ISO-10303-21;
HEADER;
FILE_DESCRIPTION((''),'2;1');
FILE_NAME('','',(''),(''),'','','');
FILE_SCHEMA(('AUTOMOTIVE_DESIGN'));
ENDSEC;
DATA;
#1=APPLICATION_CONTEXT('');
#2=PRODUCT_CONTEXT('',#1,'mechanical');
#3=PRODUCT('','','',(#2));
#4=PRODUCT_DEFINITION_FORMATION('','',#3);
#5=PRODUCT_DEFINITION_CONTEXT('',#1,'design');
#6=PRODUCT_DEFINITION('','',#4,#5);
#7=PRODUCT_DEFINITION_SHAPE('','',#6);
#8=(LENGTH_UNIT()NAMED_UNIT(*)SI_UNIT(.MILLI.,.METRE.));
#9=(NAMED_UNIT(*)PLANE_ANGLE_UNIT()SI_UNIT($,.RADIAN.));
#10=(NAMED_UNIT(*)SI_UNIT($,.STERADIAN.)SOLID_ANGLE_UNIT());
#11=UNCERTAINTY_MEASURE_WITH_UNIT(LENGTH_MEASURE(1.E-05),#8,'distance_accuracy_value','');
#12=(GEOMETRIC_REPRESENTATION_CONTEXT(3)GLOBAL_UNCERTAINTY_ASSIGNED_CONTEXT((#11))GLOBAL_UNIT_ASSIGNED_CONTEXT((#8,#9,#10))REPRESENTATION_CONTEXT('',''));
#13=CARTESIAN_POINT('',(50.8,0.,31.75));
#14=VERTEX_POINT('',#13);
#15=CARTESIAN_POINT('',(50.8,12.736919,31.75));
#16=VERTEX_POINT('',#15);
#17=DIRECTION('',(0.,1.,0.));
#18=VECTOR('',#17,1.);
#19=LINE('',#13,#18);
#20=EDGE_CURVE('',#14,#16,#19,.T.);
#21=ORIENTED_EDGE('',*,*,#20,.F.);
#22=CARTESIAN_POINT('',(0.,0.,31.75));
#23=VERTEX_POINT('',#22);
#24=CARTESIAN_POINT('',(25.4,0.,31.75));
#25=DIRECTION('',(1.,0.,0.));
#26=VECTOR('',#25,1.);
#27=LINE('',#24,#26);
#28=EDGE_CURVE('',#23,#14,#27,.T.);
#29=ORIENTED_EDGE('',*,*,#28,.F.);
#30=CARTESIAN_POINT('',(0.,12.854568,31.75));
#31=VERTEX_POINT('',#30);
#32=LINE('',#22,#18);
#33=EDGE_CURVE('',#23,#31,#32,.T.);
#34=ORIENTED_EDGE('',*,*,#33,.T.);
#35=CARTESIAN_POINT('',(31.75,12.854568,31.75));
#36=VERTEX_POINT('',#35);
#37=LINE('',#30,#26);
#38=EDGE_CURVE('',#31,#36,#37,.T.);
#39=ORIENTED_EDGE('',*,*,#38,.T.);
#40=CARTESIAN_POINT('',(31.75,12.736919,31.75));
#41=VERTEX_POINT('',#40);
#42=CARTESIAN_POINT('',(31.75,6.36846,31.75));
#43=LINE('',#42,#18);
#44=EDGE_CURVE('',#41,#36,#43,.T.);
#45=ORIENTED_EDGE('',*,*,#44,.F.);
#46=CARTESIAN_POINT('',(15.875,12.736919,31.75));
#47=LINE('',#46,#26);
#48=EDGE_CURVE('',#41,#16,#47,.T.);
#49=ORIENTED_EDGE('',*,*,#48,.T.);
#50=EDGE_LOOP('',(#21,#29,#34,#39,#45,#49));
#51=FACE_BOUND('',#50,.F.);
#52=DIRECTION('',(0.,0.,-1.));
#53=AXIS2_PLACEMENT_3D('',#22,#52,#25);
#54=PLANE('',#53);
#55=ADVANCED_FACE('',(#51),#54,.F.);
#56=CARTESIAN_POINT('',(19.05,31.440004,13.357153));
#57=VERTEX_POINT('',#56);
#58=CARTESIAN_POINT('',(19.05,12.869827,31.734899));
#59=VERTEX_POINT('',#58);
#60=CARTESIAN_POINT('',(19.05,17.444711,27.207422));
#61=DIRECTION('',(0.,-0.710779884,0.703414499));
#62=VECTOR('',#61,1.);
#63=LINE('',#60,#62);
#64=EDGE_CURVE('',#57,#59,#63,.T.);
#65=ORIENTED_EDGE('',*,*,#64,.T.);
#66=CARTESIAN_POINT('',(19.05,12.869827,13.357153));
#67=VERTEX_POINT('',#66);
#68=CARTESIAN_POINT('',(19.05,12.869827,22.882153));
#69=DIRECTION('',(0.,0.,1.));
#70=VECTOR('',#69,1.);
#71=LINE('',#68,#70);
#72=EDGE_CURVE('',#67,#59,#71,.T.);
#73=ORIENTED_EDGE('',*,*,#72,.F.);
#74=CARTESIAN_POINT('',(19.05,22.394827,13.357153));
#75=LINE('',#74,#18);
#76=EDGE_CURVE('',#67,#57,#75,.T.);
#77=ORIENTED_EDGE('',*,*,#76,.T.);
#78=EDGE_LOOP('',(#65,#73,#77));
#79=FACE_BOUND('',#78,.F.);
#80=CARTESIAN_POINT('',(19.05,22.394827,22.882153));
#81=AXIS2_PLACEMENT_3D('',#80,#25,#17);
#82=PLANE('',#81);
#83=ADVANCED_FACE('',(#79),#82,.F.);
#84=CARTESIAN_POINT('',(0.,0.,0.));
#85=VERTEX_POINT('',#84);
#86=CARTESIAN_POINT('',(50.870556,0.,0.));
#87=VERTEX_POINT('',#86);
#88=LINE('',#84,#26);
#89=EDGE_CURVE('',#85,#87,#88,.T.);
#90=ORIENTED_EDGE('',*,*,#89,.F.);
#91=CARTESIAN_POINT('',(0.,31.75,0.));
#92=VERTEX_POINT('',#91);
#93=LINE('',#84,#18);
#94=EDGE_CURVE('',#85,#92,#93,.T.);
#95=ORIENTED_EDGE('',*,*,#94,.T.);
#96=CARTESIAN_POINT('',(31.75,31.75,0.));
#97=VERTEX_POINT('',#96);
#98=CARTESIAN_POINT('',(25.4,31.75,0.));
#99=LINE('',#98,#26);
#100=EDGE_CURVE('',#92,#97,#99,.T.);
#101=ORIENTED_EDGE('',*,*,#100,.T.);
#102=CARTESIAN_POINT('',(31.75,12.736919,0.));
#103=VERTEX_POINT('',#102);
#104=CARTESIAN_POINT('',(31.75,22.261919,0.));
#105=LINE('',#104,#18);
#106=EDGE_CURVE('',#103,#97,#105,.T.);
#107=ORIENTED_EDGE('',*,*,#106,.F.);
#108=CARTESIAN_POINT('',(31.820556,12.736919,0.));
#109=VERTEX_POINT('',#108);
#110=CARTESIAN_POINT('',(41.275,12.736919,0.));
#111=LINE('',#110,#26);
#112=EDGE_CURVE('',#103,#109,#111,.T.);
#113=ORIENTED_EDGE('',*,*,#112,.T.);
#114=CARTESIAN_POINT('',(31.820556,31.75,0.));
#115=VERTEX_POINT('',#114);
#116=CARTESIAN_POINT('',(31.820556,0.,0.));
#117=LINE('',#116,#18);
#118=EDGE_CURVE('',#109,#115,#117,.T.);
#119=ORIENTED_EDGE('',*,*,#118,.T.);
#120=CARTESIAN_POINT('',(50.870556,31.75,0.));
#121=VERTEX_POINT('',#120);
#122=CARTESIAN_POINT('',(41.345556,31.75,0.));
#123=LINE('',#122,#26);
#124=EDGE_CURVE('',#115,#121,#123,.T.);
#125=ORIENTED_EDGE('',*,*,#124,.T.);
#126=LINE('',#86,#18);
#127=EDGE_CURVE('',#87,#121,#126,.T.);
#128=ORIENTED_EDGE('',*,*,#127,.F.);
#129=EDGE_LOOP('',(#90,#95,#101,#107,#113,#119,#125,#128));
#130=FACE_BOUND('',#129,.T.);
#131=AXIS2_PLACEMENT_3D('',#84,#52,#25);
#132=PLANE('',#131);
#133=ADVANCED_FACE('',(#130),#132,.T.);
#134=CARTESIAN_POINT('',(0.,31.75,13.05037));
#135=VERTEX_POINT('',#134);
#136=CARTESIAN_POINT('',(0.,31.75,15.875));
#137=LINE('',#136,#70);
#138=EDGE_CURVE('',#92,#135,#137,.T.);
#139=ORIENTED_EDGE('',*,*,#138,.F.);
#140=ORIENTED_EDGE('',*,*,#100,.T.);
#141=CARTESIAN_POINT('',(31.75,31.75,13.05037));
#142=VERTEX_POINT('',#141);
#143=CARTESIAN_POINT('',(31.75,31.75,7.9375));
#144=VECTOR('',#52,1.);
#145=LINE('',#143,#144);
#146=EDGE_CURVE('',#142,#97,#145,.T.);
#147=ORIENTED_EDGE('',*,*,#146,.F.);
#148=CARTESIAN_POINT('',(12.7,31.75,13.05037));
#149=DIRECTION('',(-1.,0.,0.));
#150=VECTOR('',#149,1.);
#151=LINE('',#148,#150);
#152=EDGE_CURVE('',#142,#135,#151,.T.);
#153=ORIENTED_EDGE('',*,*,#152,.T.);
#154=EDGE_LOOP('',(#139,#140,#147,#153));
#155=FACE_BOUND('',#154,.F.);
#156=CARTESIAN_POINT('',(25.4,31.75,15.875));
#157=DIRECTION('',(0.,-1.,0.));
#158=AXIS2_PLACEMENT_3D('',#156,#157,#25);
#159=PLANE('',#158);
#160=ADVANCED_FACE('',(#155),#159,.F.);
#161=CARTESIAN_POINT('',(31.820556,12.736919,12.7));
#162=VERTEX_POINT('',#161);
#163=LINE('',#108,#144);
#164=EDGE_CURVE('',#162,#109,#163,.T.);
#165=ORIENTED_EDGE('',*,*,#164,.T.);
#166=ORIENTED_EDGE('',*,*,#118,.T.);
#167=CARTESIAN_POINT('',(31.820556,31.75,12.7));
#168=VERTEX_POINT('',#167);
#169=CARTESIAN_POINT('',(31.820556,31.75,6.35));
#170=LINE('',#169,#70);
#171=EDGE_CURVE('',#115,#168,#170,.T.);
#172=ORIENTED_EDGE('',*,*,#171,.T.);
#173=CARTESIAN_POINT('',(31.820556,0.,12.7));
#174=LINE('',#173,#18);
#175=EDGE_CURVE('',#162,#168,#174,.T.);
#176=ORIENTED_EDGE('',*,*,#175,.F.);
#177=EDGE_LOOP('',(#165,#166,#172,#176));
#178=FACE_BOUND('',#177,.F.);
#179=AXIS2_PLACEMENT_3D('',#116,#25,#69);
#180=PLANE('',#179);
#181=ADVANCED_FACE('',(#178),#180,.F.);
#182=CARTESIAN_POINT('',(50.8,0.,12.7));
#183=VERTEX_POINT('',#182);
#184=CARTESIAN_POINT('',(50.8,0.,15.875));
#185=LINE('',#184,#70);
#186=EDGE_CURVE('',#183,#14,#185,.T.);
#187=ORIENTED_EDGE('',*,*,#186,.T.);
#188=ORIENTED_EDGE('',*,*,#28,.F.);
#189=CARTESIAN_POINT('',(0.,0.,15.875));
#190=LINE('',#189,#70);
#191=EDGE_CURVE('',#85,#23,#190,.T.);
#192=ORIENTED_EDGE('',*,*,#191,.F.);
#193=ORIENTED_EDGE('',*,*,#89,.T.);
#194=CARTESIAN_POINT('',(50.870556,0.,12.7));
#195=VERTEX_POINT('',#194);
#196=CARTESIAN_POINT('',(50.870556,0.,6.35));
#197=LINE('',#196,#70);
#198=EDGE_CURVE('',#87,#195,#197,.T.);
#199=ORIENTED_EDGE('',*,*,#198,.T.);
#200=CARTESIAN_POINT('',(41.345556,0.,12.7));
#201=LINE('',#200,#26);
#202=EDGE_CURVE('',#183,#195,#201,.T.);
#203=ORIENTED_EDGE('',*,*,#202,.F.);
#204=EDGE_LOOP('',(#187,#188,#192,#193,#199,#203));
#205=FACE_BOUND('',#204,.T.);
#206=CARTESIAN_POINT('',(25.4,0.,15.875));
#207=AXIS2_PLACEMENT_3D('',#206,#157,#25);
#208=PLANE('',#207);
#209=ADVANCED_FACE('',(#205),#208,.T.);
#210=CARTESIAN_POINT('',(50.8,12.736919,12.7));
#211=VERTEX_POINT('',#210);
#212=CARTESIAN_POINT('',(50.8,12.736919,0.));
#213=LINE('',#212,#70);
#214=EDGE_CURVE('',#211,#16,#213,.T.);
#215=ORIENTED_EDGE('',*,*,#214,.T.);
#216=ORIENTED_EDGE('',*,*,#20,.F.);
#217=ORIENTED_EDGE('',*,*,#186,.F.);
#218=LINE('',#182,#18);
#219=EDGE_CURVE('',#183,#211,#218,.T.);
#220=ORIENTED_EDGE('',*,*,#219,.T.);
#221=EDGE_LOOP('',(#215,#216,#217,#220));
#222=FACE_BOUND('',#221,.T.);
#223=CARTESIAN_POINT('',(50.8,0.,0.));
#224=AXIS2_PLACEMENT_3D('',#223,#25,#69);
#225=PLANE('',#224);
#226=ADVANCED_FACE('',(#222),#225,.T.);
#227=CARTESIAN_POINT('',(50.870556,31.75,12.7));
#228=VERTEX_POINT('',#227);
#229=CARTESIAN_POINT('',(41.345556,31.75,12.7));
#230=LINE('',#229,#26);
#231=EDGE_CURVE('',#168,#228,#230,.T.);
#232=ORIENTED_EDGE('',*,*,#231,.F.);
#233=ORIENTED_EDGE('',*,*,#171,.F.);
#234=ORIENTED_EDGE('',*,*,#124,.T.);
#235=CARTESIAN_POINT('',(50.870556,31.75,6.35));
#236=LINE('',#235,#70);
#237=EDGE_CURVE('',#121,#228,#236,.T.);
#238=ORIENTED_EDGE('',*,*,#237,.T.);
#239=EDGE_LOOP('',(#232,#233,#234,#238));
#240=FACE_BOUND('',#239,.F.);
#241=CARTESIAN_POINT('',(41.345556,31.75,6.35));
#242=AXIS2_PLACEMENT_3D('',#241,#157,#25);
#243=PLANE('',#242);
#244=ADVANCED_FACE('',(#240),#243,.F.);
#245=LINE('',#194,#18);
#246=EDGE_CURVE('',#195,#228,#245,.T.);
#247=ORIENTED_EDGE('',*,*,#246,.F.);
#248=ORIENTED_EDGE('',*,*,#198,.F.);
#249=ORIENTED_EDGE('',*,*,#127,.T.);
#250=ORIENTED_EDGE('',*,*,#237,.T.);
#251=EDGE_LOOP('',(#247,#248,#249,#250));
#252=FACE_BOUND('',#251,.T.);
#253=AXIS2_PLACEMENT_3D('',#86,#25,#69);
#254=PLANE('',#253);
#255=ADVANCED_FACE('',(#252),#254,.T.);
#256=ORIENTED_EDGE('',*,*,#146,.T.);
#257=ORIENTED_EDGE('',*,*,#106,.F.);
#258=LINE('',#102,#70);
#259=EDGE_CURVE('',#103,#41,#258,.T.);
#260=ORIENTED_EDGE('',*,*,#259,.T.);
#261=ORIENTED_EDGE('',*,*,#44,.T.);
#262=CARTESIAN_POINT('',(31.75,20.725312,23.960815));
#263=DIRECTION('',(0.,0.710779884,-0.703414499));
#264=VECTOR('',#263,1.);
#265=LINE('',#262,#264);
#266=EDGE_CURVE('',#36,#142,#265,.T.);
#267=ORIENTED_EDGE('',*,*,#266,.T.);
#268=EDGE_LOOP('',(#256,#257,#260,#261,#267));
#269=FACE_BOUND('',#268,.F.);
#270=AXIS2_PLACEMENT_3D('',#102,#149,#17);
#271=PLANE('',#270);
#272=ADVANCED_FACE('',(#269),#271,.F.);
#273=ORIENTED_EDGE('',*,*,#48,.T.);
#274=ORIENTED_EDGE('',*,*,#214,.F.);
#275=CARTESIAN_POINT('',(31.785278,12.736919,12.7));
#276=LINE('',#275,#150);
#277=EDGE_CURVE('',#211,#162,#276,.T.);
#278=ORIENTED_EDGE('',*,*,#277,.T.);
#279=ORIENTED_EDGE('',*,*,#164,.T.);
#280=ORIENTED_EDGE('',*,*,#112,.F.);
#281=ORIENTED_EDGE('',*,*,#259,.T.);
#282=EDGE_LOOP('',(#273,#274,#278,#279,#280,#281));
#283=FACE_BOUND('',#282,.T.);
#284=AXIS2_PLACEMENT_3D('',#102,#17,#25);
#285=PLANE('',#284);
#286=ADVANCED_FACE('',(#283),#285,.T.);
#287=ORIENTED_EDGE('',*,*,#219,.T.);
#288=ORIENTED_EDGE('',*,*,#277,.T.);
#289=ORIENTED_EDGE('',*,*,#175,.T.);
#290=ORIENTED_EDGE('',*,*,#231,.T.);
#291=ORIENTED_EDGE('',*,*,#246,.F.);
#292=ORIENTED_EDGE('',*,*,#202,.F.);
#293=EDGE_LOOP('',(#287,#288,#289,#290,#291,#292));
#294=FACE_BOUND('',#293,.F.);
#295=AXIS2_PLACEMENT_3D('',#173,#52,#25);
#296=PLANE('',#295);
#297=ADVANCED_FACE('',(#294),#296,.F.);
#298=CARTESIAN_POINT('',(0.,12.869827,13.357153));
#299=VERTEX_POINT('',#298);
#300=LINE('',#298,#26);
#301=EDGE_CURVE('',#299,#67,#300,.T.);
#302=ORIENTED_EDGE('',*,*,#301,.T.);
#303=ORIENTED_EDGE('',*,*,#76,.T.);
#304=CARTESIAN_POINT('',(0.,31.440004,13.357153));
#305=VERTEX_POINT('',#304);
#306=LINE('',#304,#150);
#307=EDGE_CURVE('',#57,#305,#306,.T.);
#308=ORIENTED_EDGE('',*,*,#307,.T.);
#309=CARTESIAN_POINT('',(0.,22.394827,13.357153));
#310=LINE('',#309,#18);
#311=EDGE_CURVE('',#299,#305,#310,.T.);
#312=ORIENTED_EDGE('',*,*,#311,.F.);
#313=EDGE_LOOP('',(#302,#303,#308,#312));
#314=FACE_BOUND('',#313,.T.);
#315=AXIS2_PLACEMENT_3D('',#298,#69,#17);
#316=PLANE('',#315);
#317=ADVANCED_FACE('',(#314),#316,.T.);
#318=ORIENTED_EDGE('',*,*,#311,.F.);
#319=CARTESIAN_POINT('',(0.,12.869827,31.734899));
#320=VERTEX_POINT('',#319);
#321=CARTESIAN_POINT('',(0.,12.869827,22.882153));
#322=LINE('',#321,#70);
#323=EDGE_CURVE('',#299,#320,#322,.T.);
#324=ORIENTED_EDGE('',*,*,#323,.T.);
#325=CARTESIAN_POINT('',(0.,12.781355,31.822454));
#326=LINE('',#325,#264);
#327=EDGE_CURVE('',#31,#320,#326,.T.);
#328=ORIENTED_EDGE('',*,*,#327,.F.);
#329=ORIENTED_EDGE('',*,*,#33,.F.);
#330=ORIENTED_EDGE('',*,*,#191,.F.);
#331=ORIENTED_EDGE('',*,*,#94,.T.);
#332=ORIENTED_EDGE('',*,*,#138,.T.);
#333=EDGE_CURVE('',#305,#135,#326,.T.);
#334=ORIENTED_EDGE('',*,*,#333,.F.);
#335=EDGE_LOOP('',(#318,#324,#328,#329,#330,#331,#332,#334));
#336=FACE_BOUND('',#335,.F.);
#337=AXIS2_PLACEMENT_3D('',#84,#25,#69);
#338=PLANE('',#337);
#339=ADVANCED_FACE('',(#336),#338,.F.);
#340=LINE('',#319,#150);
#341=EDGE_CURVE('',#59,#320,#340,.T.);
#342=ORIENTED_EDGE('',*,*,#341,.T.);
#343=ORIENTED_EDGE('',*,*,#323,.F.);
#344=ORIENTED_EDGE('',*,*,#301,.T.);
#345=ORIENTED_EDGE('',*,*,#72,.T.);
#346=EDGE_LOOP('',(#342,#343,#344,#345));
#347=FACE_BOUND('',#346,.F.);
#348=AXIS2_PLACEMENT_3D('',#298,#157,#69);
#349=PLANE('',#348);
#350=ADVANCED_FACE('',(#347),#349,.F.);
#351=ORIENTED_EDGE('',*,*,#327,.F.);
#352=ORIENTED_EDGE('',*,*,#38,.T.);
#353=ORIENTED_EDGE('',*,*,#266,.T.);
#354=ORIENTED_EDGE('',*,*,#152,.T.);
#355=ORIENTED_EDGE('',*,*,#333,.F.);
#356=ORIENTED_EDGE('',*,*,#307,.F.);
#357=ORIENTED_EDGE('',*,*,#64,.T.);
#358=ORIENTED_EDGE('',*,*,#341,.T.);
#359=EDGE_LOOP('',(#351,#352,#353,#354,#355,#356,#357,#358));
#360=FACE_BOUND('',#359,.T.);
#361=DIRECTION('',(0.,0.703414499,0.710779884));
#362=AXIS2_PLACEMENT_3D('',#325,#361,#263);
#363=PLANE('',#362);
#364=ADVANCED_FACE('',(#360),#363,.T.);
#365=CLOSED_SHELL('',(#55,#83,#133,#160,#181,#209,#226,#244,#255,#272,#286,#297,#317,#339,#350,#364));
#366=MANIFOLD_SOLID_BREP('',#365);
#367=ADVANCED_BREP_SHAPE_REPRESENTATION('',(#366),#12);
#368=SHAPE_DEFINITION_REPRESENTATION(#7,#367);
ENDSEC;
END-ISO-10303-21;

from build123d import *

# Parameters (mm, degrees)
F0_W     = 50.8
F0_H     = 31.75
F1_DEPTH = 31.75
F2_W     = 19.05
F2_H     = 19.05
F3_DEPTH = 19.05
F4_W     = 19.05
F4_H     = 19.05
F5_DEPTH = 31.751
F6_W     = 19.05
F6_H     = 12.7
F7_DEPTH = 31.75
F9_DEPTH = 50.871556


with BuildPart() as f1:
    # F0 (on Front) → F1 (new body)
    with BuildSketch(Plane.XZ):
        with Locations((25.4, 15.875)):
            Rectangle(F0_W, F0_H)
    extrude(amount=-F1_DEPTH)

    # F2 (on Right) → F3 (cut)
    with BuildSketch(Plane.YZ):
        with Locations((22.394827, 22.882153)):
            Rectangle(F2_W, F2_H)
    extrude(amount=F3_DEPTH, mode=Mode.SUBTRACT)

    # F4 (on Top) → F5 (cut, through all)
    with BuildSketch(Plane.XY):
        with Locations((41.275, 22.261919)):
            Rectangle(F4_W, F4_H)
    extrude(amount=F5_DEPTH, mode=Mode.SUBTRACT)

    # F6 (on Front) → F7 (join)
    with BuildSketch(Plane.XZ):
        with Locations((41.345556, 6.35)):
            Rectangle(F6_W, F6_H)
    extrude(amount=-F7_DEPTH)

    # F8 (on Right) → F9 (cut, through all)
    with BuildSketch(Plane.YZ):
        Polygon((31.830321, 32.020881), (12.781355, 31.822454), (31.830321, 12.970881), align=None)
    extrude(amount=F9_DEPTH, mode=Mode.SUBTRACT)


solid = f1.part
